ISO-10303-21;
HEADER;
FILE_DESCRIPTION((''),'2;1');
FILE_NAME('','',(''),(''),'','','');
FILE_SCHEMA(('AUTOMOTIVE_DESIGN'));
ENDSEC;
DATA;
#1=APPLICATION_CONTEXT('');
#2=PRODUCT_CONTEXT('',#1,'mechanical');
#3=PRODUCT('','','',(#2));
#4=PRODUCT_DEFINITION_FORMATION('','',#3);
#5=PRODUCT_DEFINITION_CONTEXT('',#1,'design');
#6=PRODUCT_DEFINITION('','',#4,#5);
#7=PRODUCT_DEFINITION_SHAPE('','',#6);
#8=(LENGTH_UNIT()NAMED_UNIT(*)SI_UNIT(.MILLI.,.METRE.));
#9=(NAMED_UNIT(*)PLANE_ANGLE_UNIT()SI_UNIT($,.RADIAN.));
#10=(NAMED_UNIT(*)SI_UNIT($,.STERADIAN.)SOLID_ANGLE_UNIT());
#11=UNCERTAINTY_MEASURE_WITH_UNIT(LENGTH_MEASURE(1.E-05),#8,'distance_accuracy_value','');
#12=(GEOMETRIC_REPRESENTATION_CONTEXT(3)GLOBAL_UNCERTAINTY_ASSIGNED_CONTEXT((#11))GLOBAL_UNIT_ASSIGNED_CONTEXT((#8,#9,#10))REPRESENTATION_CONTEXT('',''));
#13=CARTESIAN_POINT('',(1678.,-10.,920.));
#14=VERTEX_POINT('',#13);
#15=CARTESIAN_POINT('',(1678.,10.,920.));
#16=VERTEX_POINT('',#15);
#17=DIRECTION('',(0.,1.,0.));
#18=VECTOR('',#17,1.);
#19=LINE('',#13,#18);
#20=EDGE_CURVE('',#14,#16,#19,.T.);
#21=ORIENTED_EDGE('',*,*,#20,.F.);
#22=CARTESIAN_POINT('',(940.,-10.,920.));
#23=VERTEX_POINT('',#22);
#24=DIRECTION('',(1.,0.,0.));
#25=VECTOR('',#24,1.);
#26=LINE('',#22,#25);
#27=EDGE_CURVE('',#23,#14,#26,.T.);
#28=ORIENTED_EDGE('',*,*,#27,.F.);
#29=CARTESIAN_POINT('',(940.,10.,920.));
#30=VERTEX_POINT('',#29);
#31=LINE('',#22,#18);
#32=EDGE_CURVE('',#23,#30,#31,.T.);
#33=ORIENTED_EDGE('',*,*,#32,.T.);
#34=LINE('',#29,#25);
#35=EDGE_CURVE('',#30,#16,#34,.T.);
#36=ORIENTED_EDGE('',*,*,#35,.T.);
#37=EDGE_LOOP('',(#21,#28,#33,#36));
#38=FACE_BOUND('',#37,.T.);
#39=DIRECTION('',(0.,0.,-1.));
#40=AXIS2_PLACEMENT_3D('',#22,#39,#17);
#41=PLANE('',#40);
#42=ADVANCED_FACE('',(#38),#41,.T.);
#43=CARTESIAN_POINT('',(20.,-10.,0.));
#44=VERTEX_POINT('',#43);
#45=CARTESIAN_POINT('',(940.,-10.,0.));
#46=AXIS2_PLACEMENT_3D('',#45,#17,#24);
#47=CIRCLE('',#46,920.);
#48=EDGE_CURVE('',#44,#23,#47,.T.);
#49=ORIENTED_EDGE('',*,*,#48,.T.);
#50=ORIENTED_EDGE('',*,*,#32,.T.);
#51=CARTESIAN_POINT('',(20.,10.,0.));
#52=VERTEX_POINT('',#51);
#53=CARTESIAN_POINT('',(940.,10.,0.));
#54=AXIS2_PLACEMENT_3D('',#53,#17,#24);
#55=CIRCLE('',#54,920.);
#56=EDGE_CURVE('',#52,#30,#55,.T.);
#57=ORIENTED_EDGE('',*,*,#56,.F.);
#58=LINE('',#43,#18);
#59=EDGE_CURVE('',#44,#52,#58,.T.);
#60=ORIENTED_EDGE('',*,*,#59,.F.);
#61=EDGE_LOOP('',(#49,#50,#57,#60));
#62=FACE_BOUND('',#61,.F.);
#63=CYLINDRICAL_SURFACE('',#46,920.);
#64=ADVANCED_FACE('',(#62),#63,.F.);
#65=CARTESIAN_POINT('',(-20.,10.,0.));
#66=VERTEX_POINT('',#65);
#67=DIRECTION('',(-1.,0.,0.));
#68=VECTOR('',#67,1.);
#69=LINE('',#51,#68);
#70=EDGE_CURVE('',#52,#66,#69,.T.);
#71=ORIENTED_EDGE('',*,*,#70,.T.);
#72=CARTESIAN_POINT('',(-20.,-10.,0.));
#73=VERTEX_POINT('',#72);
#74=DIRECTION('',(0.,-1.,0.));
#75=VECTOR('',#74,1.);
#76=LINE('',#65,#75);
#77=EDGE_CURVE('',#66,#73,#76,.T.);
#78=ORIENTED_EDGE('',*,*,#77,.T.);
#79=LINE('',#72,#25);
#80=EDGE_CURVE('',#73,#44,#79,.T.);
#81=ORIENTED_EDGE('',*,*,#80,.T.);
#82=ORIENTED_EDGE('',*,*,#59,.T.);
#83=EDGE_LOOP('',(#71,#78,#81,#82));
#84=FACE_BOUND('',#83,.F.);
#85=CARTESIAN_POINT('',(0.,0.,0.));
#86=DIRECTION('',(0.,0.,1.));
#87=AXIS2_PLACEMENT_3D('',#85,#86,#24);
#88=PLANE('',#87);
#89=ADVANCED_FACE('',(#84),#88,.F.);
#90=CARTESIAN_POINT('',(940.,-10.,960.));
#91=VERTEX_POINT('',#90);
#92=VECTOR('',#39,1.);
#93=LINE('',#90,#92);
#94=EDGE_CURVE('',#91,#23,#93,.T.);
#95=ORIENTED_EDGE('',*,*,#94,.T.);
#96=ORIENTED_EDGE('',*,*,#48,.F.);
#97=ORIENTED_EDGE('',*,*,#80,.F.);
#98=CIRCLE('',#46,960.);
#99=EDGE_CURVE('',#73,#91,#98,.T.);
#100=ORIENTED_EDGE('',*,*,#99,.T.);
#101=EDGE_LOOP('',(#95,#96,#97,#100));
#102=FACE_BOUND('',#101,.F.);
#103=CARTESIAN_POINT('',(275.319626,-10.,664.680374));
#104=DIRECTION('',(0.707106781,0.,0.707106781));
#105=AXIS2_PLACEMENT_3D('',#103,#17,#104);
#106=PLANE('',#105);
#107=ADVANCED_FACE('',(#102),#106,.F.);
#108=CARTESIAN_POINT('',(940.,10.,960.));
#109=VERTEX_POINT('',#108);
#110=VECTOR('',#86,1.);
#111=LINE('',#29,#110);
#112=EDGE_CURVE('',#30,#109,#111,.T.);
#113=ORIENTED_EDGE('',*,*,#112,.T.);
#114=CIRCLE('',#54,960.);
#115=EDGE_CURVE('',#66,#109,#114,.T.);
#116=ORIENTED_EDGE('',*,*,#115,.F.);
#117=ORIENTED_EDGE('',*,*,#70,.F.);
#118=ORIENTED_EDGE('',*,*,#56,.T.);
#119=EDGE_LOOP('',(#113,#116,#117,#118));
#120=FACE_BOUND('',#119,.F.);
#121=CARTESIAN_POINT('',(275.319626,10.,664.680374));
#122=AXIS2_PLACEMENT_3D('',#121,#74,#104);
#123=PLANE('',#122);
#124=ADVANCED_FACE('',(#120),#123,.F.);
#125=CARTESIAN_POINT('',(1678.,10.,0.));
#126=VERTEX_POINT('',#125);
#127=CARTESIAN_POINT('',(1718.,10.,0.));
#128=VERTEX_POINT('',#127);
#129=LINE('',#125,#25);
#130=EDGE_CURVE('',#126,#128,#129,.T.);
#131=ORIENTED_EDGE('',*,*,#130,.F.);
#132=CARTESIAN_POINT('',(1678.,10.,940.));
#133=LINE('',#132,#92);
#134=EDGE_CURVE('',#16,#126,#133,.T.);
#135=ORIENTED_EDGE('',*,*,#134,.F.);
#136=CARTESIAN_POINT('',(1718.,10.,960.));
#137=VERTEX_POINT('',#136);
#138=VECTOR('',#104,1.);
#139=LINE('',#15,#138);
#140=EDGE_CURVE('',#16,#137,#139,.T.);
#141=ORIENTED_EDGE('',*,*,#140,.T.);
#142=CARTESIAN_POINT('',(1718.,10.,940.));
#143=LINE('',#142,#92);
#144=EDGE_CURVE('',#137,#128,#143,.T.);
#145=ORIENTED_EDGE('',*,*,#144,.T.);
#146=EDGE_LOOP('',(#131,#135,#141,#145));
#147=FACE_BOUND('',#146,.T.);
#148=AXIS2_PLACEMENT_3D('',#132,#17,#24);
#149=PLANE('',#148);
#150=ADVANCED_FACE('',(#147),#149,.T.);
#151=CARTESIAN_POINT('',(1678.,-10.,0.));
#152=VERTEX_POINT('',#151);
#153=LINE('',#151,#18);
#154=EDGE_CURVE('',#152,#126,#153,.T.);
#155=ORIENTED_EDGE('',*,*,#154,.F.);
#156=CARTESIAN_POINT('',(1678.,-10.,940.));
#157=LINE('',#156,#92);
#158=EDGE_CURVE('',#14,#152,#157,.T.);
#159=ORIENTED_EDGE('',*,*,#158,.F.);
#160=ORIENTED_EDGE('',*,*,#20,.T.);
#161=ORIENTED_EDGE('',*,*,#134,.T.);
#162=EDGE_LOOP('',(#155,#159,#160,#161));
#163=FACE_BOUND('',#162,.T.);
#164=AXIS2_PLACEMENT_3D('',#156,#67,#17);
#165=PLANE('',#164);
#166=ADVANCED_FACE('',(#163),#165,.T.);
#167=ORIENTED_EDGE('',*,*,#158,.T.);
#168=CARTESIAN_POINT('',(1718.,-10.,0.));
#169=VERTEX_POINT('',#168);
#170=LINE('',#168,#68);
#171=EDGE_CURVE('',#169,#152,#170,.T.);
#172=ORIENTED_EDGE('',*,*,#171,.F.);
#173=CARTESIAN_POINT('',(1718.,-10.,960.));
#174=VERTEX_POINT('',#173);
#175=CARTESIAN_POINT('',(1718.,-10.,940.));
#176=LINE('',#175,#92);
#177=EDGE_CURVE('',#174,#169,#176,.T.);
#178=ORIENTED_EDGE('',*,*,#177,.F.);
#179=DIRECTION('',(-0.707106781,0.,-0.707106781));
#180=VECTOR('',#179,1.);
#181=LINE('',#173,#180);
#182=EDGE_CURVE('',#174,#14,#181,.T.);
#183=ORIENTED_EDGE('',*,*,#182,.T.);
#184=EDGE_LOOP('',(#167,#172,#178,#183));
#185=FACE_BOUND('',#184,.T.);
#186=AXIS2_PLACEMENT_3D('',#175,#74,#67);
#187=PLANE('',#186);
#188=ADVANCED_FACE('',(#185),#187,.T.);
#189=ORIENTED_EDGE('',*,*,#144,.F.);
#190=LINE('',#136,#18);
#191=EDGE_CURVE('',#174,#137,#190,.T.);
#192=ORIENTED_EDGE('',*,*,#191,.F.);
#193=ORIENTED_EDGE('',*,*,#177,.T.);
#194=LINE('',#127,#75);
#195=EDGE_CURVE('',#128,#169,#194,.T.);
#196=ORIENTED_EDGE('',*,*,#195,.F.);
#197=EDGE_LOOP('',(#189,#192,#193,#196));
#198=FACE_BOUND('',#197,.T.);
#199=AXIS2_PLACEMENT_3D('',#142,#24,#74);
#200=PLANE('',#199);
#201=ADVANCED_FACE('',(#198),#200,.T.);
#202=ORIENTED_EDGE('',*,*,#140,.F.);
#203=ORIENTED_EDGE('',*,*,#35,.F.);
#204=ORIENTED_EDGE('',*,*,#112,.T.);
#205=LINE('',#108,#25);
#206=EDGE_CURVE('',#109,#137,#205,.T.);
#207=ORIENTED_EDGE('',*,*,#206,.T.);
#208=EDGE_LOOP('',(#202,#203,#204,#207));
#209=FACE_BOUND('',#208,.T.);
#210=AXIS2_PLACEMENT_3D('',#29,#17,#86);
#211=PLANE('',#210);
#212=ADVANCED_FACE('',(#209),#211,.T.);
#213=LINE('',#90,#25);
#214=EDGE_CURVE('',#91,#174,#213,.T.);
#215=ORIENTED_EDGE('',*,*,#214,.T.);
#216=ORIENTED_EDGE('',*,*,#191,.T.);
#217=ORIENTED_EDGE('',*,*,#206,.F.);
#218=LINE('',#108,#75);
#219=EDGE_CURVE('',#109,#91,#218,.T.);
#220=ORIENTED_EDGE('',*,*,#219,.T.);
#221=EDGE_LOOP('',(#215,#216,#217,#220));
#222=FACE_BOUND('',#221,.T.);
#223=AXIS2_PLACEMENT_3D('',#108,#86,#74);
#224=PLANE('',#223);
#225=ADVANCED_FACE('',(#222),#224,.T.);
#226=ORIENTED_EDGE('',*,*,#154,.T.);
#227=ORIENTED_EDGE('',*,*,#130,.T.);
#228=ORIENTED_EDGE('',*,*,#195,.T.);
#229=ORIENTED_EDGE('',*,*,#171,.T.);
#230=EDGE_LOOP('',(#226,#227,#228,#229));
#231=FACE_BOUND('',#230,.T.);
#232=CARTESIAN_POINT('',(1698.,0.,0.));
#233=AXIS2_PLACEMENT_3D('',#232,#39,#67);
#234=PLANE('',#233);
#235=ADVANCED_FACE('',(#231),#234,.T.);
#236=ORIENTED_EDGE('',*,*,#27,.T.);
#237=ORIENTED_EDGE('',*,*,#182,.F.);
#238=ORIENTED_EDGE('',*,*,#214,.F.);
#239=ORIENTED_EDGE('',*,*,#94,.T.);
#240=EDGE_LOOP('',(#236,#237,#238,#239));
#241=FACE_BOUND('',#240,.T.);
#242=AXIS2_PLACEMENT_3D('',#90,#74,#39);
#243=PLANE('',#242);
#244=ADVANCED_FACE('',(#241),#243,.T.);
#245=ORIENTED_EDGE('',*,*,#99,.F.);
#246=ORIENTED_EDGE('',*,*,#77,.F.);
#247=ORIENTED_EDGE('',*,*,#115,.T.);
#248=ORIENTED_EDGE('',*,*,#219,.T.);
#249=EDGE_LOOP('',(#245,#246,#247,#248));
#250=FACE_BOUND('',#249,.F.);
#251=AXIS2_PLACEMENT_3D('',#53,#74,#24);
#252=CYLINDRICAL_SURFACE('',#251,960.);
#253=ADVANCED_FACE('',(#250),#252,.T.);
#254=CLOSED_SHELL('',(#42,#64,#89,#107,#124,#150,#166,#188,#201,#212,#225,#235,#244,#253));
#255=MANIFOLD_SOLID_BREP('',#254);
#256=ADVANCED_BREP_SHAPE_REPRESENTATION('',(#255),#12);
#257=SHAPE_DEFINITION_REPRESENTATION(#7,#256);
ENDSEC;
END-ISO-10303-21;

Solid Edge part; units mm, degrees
sketch "Sketch1" plane through (0, 0, 0) normal (0, -1, 0) x (1, 0, 0)
  arc A0 (0, 0) -> (940, 940) centre (940, 0) cw
  line L0 (940, 940) -> (1698, 940)
  line L1 (1698, 940) -> (1698, 0)
sketch "Sketch2" plane through (0, 0, 0) normal (0, 0, 1) x (1, 0, 0)
  line L0 (-20, -10) -> (20, -10)
  line L1 (20, -10) -> (20, 10)
  line L2 (20, 10) -> (-20, 10)
  line L3 (-20, 10) -> (-20, -10)
sweep "ÁtvezetettKihúzás_1" add profiles "Sketch2" path "Sketch1"
extrude "Kihúzás_1" [suppressed]
extrude "Kihúzás_2" [suppressed]
fillet "Lekerekítés_1" [suppressed]
revolve "RevolvedProtrusion1" [suppressed]
